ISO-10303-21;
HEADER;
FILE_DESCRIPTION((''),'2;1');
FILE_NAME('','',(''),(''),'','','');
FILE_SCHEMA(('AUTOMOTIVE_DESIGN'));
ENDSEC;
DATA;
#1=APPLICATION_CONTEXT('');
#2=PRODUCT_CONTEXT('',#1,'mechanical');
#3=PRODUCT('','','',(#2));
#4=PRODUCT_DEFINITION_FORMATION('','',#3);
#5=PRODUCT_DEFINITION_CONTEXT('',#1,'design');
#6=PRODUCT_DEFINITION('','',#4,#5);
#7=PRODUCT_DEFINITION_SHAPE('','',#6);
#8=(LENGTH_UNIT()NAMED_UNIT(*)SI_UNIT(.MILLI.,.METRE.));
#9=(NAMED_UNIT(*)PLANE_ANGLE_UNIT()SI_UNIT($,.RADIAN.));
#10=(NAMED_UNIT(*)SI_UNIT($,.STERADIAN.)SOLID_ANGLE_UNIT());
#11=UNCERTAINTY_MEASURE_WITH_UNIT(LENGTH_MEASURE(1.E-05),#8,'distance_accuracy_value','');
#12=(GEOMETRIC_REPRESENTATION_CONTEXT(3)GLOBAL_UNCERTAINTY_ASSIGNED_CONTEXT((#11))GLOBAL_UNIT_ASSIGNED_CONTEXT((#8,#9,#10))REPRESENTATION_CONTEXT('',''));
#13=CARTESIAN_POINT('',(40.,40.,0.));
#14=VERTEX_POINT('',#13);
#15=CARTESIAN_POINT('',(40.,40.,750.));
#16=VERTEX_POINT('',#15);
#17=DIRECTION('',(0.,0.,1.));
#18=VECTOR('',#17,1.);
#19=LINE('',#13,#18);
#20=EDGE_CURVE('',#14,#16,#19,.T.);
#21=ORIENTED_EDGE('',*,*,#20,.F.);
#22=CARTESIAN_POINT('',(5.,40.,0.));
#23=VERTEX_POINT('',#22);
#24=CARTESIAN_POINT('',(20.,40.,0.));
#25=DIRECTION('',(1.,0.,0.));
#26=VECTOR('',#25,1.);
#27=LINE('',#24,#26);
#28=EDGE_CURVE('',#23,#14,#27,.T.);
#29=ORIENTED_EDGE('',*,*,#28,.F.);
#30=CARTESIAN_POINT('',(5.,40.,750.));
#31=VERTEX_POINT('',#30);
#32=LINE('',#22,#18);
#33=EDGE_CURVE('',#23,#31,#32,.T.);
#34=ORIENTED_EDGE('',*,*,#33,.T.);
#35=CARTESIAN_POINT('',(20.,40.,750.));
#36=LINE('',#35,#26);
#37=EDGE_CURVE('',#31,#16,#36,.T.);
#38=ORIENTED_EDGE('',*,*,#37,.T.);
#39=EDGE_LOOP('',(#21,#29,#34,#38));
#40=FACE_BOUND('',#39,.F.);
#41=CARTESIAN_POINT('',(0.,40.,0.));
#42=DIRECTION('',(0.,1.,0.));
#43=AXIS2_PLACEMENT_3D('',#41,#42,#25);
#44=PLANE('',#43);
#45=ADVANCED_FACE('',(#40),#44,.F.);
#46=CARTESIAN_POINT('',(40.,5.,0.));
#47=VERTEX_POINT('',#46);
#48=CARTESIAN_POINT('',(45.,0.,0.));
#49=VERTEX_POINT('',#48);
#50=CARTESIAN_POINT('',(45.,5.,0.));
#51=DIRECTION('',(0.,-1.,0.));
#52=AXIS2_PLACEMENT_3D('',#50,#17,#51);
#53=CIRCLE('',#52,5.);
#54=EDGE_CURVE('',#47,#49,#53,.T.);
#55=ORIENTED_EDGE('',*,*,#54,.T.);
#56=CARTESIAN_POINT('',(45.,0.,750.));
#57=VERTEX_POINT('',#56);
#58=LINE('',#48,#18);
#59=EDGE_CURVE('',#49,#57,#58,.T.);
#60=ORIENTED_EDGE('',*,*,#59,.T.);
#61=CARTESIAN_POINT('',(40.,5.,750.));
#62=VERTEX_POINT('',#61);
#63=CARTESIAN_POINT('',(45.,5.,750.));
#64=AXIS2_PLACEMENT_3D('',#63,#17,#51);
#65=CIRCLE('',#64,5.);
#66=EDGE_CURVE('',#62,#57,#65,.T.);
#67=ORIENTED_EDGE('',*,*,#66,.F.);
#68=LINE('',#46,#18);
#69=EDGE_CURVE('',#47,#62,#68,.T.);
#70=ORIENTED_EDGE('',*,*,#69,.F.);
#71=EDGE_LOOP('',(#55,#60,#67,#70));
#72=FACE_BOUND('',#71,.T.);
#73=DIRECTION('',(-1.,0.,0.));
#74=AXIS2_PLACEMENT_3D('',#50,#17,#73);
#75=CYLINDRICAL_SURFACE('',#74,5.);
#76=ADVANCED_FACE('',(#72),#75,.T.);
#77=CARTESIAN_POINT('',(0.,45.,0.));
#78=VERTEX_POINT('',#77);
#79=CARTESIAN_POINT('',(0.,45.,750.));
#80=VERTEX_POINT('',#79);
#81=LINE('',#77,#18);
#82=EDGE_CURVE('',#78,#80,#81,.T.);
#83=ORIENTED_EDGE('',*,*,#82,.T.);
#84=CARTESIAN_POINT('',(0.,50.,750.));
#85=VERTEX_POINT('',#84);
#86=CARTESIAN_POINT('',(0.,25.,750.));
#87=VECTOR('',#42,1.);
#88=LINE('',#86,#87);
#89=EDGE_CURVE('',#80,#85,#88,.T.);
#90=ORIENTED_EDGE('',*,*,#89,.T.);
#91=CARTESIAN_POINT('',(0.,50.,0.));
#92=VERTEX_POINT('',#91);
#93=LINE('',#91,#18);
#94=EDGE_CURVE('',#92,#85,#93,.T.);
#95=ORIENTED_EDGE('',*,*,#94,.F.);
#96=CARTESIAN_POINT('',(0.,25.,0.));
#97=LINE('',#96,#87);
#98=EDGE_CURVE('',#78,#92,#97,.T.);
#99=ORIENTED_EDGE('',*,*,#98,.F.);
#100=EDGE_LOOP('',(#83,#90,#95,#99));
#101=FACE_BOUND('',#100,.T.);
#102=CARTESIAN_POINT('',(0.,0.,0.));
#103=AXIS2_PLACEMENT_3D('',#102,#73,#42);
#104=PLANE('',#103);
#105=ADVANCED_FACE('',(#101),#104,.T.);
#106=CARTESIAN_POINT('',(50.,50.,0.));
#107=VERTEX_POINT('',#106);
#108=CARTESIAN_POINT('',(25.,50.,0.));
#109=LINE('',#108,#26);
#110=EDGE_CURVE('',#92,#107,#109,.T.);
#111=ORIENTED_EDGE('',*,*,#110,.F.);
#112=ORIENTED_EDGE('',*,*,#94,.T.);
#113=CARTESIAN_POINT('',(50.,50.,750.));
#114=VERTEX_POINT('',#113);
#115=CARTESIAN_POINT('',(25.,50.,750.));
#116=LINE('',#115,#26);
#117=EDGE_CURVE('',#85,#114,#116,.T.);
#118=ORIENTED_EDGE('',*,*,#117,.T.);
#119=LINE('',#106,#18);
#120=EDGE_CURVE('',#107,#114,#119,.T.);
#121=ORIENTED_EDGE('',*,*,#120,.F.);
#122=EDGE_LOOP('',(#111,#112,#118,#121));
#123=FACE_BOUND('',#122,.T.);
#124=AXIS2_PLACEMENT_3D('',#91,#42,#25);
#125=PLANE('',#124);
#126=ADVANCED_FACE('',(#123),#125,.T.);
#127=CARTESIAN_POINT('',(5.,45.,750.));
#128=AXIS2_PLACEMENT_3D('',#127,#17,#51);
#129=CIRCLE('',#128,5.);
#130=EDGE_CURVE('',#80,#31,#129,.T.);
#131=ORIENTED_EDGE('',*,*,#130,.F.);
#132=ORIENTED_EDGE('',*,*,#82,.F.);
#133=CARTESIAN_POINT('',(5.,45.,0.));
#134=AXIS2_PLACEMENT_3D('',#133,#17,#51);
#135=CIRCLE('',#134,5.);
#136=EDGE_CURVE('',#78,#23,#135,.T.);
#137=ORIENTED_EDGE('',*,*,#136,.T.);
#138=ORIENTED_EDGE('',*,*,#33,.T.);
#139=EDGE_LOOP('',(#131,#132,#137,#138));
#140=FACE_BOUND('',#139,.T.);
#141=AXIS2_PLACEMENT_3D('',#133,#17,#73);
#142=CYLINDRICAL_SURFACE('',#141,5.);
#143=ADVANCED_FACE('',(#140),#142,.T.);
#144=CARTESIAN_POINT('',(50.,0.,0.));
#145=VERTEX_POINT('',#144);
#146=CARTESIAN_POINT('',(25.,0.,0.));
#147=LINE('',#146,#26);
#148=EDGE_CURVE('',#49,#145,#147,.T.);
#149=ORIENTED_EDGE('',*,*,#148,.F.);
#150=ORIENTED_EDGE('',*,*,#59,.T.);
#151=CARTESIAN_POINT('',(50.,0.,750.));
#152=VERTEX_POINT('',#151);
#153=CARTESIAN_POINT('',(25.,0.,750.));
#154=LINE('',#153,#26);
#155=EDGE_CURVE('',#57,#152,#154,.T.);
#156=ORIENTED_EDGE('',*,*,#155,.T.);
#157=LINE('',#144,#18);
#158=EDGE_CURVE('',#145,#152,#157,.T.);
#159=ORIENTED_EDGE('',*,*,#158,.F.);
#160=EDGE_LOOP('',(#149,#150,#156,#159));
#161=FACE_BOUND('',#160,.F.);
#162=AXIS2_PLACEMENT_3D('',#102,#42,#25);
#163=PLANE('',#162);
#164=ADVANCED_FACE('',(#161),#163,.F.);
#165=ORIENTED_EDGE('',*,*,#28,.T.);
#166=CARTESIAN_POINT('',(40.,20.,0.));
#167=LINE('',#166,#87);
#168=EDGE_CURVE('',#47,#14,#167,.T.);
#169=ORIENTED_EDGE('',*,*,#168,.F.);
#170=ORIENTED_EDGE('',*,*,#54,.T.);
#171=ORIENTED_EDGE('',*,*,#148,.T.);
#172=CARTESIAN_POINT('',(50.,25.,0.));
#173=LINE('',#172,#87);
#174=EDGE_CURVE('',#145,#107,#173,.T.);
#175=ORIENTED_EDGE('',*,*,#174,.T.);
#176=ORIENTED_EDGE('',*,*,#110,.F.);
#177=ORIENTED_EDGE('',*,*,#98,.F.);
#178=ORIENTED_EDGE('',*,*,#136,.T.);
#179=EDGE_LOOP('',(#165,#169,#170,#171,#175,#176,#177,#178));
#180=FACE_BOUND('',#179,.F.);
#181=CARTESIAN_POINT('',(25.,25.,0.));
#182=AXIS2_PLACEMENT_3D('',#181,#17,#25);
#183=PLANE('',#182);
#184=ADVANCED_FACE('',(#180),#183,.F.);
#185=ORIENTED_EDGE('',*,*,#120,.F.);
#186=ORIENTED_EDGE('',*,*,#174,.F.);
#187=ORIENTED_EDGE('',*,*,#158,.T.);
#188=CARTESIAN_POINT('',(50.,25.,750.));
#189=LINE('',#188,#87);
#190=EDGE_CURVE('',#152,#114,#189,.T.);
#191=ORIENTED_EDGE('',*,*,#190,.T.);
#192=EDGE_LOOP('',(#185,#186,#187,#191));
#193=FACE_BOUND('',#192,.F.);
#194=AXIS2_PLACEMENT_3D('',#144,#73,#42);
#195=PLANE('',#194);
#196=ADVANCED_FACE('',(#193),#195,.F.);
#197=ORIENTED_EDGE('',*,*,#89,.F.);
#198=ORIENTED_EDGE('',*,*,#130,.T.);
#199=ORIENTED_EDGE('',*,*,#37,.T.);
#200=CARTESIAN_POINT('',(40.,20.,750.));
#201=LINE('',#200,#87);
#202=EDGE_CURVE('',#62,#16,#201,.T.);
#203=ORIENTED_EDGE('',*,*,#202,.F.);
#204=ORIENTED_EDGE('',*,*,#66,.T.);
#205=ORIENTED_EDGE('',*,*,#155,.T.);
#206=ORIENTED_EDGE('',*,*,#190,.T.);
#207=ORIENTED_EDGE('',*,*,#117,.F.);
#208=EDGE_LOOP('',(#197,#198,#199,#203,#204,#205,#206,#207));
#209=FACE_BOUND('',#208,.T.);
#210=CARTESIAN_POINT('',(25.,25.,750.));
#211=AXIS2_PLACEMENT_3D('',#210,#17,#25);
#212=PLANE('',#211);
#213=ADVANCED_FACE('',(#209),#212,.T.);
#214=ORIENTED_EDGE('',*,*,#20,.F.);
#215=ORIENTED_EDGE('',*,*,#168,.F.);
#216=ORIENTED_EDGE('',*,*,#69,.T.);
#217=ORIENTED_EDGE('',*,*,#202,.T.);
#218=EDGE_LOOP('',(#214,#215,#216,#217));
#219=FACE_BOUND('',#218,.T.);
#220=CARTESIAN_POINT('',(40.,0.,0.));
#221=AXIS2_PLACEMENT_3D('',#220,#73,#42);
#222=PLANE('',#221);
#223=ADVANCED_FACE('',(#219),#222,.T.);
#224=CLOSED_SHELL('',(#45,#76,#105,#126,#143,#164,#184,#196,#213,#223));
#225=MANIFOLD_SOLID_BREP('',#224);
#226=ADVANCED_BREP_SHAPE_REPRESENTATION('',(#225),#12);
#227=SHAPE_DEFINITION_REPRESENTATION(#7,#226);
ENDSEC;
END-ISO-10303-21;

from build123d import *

# Parameters (mm, degrees)
BOX001_W     = 40
BOX001_H     = 40
BOX001_DEPTH = 750
BOX_W        = 50
BOX_H        = 50
BOX_DEPTH    = 750
FILLET_R     = 5
FILLET001_R  = 5


with BuildPart() as cube001:
    # Box001 → Box001 (new body)
    with BuildSketch(Plane.XY):
        with Locations((20, 20)):
            Rectangle(BOX001_W, BOX001_H)
    extrude(amount=BOX001_DEPTH)


with BuildPart() as fillet001:
    # Box → Box (new body)
    with BuildSketch(Plane.XY):
        with Locations((25, 25)):
            Rectangle(BOX_W, BOX_H)
    extrude(amount=BOX_DEPTH)

    # Cut: cut Cube001
    add(cube001.part, mode=Mode.SUBTRACT)

    # Fillet
    fillet_edges = [fillet001.edges().sort_by_distance(p)[0] for p in [
        (0, 40, 375),
    ]]
    fillet(fillet_edges, radius=FILLET_R)

    # Fillet001
    fillet001_edges = [fillet001.edges().sort_by_distance(p)[0] for p in [
        (40, 0, 375),
    ]]
    fillet(fillet001_edges, radius=FILLET001_R)


solid = fillet001.part
